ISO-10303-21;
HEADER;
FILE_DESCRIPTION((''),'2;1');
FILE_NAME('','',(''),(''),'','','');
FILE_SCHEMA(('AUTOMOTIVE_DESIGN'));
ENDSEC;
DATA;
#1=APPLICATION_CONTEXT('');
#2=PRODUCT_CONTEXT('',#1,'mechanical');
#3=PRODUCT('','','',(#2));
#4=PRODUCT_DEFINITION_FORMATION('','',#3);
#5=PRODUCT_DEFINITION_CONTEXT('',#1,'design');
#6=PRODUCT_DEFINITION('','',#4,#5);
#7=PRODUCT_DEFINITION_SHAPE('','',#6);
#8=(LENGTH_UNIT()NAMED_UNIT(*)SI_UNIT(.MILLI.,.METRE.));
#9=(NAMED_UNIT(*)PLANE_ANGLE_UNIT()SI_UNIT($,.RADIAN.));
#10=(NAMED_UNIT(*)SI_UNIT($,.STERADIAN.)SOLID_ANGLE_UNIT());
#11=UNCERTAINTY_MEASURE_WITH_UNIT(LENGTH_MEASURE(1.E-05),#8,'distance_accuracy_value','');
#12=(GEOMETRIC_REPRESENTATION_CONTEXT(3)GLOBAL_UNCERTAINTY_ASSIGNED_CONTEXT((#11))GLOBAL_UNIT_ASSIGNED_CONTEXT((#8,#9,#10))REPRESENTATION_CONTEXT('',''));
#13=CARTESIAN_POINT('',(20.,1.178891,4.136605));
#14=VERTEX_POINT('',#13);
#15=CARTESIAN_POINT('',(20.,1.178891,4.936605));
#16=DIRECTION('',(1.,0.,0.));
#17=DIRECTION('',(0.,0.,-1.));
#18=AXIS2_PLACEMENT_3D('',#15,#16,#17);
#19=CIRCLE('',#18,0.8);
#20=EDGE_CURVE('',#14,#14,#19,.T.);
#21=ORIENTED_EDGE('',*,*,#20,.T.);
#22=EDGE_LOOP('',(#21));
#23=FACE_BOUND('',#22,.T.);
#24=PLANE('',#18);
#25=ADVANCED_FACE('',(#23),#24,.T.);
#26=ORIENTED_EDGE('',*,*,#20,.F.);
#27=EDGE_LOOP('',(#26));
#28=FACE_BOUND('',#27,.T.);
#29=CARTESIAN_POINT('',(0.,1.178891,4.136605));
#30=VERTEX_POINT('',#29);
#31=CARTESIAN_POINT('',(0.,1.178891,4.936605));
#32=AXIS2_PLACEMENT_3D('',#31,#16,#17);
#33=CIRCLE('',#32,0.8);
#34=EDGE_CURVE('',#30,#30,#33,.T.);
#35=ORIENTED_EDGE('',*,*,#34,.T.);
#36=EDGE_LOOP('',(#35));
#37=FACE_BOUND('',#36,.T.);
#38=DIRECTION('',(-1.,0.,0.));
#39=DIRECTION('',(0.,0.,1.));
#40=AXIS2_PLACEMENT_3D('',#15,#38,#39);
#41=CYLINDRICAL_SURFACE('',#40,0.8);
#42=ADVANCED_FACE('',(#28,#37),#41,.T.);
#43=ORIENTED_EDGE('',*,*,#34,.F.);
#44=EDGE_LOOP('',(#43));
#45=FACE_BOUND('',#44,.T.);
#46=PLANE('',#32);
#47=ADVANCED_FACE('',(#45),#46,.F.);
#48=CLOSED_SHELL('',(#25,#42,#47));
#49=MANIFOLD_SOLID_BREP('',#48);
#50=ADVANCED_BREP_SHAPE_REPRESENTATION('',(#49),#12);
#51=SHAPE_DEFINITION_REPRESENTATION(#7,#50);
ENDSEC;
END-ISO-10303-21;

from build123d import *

# Parameters (mm, degrees)
SKETCH1_R           = 0.8
BOSS_EXTRUDE1_DEPTH = 20


with BuildPart() as part:
    # Sketch1 → Boss-Extrude1 (new body)
    with BuildSketch(Plane(origin=(0, 0, 0), x_dir=(0, 0, -1), z_dir=(1, 0, 0))):
        with Locations((-4.936604701, 1.178890675)):
            Circle(SKETCH1_R)
    extrude(amount=BOSS_EXTRUDE1_DEPTH)


solid = part.part
